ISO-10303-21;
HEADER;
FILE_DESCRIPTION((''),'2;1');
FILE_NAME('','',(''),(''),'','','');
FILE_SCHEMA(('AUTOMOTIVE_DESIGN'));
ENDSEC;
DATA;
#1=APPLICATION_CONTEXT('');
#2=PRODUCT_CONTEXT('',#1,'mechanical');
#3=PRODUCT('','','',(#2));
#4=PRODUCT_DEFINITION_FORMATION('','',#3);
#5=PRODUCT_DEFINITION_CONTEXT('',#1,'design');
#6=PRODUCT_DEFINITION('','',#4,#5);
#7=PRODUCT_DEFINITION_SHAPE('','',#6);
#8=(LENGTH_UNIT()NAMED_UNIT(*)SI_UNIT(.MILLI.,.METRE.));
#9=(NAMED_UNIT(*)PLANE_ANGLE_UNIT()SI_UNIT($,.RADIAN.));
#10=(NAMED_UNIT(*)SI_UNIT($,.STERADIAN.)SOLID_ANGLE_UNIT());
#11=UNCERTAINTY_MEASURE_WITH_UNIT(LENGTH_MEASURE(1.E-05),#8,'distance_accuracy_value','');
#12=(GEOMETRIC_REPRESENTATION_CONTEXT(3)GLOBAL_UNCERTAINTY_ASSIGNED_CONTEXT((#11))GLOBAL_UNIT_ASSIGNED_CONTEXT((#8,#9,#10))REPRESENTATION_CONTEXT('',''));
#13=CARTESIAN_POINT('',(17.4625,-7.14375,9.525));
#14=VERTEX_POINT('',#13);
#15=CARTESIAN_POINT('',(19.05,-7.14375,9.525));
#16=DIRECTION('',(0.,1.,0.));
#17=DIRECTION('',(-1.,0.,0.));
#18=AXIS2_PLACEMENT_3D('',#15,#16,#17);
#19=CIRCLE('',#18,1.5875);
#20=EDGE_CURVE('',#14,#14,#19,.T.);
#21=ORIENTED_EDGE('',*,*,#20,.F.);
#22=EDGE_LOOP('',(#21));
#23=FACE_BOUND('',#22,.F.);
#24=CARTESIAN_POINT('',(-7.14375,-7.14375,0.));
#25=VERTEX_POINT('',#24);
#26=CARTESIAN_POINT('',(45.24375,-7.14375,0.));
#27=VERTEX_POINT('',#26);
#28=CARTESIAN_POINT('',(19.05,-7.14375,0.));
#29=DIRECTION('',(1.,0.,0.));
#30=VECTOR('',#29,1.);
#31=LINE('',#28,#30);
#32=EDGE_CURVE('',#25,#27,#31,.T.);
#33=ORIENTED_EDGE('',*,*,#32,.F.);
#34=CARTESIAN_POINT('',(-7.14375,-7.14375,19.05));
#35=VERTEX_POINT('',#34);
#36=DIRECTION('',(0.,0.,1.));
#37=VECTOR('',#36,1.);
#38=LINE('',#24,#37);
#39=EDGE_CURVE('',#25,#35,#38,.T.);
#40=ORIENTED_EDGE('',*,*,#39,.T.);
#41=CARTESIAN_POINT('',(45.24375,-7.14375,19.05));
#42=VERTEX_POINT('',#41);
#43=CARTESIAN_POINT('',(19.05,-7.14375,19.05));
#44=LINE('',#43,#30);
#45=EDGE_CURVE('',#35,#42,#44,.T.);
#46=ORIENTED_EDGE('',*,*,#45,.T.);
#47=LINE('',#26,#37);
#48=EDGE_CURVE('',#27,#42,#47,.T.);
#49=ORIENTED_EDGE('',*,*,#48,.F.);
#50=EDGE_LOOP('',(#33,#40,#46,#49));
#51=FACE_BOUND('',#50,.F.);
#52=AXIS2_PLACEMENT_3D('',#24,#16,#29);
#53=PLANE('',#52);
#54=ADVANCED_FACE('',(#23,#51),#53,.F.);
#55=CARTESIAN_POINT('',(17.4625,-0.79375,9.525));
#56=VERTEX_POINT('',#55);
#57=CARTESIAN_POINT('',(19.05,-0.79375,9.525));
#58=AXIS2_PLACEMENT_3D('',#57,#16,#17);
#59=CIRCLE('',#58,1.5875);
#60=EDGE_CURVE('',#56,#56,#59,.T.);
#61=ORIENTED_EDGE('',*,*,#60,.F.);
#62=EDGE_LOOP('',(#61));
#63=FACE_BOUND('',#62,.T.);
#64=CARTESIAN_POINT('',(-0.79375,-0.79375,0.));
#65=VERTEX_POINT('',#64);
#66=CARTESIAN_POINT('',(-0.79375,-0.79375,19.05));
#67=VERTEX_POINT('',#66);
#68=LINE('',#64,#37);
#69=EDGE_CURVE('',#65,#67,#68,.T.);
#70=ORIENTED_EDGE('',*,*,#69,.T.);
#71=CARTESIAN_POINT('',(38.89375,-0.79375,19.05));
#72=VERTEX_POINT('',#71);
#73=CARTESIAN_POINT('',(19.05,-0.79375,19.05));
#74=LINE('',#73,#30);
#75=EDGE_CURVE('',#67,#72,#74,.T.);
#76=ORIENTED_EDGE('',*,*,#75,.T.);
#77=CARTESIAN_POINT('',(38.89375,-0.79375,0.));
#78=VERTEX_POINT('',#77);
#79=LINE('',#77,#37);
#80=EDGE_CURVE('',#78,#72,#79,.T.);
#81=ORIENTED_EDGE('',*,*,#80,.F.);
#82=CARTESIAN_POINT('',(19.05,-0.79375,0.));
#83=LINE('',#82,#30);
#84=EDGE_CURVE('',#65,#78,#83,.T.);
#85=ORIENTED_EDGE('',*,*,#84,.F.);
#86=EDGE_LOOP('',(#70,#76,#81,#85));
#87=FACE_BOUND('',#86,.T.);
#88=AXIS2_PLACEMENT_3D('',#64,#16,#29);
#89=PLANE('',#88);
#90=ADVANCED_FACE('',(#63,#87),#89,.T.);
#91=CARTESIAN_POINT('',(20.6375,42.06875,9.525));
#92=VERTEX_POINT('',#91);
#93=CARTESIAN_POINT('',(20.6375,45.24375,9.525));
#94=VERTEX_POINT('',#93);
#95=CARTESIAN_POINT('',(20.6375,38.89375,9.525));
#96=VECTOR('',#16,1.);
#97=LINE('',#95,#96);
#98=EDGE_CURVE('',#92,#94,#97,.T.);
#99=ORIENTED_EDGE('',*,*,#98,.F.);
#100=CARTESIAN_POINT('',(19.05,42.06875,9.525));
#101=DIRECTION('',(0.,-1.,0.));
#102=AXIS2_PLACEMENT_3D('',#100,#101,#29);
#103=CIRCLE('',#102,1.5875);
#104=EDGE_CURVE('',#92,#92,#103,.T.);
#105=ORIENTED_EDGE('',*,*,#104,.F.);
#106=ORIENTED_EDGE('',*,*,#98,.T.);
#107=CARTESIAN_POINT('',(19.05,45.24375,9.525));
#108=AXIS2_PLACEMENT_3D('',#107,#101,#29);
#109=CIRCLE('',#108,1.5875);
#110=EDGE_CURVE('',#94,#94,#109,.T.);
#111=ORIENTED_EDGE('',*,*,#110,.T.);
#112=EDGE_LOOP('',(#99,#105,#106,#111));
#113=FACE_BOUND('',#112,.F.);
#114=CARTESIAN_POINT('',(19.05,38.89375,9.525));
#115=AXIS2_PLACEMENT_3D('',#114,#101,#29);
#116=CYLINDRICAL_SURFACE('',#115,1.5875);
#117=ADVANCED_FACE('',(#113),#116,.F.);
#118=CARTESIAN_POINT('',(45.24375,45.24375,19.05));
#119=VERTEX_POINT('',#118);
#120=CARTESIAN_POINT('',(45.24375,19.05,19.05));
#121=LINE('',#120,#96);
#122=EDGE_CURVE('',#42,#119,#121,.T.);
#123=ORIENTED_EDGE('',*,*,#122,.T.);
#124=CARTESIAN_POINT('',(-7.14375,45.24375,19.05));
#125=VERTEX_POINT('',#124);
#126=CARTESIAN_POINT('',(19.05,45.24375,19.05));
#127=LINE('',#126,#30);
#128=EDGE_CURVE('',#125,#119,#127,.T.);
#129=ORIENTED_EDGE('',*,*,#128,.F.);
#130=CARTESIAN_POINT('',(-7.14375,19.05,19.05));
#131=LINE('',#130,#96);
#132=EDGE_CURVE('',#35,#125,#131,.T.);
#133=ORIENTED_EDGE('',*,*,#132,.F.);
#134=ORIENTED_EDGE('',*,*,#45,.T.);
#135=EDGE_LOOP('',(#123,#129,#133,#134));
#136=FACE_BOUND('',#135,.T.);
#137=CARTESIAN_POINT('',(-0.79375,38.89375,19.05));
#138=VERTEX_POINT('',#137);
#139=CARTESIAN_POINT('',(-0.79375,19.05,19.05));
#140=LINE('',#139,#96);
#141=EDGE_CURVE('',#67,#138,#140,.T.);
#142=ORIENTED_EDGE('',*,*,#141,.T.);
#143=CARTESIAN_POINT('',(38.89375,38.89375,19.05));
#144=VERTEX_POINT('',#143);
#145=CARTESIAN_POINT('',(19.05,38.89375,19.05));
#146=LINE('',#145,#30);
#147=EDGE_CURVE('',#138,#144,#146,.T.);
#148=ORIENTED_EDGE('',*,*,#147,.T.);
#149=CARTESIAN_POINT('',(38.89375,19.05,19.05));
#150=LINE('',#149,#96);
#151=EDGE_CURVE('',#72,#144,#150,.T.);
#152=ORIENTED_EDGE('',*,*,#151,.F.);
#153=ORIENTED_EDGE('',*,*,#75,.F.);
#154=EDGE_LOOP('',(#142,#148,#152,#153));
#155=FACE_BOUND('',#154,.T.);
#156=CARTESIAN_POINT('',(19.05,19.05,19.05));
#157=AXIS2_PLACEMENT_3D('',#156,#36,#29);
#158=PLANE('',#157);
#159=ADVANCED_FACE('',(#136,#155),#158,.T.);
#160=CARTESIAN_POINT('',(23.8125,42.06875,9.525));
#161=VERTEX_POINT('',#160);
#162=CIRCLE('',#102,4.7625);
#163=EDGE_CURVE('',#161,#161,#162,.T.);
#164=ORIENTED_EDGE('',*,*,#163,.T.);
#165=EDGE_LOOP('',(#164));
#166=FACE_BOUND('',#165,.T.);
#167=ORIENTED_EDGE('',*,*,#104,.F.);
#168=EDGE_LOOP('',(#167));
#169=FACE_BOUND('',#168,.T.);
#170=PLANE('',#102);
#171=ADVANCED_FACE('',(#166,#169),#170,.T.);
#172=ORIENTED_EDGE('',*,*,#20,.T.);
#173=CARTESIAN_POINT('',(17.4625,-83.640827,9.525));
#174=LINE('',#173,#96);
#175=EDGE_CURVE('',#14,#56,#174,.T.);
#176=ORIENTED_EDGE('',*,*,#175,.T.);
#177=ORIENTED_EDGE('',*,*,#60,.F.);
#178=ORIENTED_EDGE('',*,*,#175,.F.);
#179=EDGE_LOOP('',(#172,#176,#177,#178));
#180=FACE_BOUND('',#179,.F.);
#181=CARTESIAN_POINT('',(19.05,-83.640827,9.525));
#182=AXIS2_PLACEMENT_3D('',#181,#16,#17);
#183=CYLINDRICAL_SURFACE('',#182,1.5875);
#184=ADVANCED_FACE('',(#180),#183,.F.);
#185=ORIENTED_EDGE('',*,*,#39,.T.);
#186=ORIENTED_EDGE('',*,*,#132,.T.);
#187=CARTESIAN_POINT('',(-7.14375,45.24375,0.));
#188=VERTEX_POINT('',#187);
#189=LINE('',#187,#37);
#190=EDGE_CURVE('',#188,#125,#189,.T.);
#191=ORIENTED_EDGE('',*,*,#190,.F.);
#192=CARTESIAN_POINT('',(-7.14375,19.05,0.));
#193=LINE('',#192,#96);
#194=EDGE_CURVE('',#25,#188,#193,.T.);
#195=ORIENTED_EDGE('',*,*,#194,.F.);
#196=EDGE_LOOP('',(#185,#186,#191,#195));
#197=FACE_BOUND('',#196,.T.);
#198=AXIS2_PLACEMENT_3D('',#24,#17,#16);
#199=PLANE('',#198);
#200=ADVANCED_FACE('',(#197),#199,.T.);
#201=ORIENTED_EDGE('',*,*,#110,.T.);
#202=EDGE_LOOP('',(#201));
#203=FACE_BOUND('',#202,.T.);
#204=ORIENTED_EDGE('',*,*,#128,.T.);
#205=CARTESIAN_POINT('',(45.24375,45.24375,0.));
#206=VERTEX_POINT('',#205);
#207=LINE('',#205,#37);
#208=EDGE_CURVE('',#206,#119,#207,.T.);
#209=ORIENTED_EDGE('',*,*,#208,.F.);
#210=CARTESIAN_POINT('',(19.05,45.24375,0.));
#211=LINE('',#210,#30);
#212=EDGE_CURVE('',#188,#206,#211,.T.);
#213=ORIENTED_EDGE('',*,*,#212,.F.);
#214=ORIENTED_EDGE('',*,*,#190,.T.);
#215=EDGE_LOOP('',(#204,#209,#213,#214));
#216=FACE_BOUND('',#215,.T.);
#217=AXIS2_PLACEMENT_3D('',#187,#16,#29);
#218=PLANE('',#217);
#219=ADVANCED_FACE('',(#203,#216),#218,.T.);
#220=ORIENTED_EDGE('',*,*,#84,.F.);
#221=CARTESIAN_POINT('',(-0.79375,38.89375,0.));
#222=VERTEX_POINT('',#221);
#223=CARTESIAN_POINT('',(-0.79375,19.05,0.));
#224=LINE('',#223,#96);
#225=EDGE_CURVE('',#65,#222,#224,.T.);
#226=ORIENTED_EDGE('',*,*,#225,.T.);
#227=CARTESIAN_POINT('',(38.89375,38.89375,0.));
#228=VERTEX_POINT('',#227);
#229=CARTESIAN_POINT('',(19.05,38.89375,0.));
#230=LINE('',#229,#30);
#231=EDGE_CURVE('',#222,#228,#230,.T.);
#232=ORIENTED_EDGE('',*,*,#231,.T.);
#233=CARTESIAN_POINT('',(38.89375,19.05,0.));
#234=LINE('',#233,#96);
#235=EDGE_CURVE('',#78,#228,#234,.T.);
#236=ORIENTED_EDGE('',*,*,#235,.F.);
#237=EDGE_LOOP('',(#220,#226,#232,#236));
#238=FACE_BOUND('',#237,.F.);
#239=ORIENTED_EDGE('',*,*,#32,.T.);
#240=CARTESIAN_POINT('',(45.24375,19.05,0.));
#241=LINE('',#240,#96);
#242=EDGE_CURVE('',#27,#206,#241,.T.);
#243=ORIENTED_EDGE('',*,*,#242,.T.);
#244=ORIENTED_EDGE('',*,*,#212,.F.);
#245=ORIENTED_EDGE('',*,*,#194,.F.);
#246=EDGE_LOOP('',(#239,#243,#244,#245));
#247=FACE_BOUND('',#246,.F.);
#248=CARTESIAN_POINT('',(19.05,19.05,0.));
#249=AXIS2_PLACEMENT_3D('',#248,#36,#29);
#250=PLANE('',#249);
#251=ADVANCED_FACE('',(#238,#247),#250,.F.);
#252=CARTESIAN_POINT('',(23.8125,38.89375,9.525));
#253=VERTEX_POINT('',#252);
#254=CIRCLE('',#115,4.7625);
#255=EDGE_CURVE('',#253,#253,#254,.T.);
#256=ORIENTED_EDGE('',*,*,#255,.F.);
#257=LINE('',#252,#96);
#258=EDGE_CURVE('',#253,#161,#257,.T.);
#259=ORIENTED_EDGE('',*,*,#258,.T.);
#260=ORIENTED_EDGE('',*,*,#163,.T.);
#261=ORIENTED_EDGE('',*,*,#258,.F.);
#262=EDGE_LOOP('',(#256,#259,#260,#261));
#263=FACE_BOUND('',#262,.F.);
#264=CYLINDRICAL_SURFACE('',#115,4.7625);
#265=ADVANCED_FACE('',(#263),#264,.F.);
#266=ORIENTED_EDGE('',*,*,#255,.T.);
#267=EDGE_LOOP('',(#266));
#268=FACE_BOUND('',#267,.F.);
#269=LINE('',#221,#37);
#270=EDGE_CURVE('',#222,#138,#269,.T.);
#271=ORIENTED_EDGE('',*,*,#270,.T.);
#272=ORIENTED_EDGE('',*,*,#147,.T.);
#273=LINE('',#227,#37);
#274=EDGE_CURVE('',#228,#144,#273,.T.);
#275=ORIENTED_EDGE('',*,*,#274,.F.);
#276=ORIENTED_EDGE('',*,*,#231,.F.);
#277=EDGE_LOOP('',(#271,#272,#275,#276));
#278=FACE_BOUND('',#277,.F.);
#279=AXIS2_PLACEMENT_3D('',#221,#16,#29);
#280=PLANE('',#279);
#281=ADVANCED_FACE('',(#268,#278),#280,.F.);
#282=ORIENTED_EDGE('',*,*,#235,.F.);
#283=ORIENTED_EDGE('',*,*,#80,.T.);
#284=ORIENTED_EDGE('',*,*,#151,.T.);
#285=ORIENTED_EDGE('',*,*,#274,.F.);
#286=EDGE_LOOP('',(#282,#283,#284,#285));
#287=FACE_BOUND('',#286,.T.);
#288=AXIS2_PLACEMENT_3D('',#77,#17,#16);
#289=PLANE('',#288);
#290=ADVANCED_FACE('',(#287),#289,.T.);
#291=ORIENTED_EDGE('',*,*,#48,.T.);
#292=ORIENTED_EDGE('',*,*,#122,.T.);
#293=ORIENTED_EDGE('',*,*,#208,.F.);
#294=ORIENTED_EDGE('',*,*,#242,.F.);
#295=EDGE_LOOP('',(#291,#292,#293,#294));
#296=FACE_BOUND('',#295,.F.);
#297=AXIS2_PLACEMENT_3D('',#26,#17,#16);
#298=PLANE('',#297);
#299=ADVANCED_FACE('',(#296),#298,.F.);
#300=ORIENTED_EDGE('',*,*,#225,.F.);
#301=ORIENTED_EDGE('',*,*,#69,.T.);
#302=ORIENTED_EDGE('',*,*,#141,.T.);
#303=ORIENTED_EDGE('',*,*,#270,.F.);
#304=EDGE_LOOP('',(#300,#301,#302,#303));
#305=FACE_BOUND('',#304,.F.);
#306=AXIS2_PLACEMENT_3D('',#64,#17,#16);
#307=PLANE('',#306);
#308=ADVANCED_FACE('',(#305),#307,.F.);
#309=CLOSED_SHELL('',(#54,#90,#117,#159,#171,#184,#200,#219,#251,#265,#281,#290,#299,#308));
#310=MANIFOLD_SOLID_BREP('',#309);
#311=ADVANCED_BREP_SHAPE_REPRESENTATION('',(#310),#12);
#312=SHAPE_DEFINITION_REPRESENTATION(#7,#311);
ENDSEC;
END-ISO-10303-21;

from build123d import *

# Parameters (mm, degrees)
F0_W     = 52.3875
F0_H     = 52.3875
F0_W_2   = 39.6875
F0_H_2   = 39.6875
F1_DEPTH = 19.05
F2_R     = 1.5875
F3_DEPTH = 25.4
F2_R_2   = 4.7625
F4_DEPTH = 3.175
F6_D     = 3.175


with BuildPart() as f1:
    # F0 (on Top) → F1 (new body)
    with BuildSketch(Plane.XY):
        with Locations((19.05, 19.05)):
            Rectangle(F0_W, F0_H)
        with Locations((19.05, 19.05)):
            Rectangle(F0_W_2, F0_H_2, mode=Mode.SUBTRACT)
    extrude(amount=F1_DEPTH)

    # F2 (on face) → F3 (cut)
    with BuildSketch(Plane.XZ.offset(-38.89375)):
        with Locations((19.05, 9.525)):
            Circle(F2_R)
    extrude(amount=-F3_DEPTH, mode=Mode.SUBTRACT)

    # F2 (on face) → F4 (cut)
    with BuildSketch(Plane.XZ.offset(-38.89375)):
        with Locations((19.05, 9.525)):
            Circle(F2_R_2)
        with Locations((19.05, 9.525)):
            Circle(F2_R, mode=Mode.SUBTRACT)
    extrude(amount=-F4_DEPTH, mode=Mode.SUBTRACT)

    # F6 (through all)
    with Locations(Plane.XZ.offset(7.14375)):
        with Locations((19.05, 9.525)):
            Hole(F6_D / 2)


solid = f1.part
